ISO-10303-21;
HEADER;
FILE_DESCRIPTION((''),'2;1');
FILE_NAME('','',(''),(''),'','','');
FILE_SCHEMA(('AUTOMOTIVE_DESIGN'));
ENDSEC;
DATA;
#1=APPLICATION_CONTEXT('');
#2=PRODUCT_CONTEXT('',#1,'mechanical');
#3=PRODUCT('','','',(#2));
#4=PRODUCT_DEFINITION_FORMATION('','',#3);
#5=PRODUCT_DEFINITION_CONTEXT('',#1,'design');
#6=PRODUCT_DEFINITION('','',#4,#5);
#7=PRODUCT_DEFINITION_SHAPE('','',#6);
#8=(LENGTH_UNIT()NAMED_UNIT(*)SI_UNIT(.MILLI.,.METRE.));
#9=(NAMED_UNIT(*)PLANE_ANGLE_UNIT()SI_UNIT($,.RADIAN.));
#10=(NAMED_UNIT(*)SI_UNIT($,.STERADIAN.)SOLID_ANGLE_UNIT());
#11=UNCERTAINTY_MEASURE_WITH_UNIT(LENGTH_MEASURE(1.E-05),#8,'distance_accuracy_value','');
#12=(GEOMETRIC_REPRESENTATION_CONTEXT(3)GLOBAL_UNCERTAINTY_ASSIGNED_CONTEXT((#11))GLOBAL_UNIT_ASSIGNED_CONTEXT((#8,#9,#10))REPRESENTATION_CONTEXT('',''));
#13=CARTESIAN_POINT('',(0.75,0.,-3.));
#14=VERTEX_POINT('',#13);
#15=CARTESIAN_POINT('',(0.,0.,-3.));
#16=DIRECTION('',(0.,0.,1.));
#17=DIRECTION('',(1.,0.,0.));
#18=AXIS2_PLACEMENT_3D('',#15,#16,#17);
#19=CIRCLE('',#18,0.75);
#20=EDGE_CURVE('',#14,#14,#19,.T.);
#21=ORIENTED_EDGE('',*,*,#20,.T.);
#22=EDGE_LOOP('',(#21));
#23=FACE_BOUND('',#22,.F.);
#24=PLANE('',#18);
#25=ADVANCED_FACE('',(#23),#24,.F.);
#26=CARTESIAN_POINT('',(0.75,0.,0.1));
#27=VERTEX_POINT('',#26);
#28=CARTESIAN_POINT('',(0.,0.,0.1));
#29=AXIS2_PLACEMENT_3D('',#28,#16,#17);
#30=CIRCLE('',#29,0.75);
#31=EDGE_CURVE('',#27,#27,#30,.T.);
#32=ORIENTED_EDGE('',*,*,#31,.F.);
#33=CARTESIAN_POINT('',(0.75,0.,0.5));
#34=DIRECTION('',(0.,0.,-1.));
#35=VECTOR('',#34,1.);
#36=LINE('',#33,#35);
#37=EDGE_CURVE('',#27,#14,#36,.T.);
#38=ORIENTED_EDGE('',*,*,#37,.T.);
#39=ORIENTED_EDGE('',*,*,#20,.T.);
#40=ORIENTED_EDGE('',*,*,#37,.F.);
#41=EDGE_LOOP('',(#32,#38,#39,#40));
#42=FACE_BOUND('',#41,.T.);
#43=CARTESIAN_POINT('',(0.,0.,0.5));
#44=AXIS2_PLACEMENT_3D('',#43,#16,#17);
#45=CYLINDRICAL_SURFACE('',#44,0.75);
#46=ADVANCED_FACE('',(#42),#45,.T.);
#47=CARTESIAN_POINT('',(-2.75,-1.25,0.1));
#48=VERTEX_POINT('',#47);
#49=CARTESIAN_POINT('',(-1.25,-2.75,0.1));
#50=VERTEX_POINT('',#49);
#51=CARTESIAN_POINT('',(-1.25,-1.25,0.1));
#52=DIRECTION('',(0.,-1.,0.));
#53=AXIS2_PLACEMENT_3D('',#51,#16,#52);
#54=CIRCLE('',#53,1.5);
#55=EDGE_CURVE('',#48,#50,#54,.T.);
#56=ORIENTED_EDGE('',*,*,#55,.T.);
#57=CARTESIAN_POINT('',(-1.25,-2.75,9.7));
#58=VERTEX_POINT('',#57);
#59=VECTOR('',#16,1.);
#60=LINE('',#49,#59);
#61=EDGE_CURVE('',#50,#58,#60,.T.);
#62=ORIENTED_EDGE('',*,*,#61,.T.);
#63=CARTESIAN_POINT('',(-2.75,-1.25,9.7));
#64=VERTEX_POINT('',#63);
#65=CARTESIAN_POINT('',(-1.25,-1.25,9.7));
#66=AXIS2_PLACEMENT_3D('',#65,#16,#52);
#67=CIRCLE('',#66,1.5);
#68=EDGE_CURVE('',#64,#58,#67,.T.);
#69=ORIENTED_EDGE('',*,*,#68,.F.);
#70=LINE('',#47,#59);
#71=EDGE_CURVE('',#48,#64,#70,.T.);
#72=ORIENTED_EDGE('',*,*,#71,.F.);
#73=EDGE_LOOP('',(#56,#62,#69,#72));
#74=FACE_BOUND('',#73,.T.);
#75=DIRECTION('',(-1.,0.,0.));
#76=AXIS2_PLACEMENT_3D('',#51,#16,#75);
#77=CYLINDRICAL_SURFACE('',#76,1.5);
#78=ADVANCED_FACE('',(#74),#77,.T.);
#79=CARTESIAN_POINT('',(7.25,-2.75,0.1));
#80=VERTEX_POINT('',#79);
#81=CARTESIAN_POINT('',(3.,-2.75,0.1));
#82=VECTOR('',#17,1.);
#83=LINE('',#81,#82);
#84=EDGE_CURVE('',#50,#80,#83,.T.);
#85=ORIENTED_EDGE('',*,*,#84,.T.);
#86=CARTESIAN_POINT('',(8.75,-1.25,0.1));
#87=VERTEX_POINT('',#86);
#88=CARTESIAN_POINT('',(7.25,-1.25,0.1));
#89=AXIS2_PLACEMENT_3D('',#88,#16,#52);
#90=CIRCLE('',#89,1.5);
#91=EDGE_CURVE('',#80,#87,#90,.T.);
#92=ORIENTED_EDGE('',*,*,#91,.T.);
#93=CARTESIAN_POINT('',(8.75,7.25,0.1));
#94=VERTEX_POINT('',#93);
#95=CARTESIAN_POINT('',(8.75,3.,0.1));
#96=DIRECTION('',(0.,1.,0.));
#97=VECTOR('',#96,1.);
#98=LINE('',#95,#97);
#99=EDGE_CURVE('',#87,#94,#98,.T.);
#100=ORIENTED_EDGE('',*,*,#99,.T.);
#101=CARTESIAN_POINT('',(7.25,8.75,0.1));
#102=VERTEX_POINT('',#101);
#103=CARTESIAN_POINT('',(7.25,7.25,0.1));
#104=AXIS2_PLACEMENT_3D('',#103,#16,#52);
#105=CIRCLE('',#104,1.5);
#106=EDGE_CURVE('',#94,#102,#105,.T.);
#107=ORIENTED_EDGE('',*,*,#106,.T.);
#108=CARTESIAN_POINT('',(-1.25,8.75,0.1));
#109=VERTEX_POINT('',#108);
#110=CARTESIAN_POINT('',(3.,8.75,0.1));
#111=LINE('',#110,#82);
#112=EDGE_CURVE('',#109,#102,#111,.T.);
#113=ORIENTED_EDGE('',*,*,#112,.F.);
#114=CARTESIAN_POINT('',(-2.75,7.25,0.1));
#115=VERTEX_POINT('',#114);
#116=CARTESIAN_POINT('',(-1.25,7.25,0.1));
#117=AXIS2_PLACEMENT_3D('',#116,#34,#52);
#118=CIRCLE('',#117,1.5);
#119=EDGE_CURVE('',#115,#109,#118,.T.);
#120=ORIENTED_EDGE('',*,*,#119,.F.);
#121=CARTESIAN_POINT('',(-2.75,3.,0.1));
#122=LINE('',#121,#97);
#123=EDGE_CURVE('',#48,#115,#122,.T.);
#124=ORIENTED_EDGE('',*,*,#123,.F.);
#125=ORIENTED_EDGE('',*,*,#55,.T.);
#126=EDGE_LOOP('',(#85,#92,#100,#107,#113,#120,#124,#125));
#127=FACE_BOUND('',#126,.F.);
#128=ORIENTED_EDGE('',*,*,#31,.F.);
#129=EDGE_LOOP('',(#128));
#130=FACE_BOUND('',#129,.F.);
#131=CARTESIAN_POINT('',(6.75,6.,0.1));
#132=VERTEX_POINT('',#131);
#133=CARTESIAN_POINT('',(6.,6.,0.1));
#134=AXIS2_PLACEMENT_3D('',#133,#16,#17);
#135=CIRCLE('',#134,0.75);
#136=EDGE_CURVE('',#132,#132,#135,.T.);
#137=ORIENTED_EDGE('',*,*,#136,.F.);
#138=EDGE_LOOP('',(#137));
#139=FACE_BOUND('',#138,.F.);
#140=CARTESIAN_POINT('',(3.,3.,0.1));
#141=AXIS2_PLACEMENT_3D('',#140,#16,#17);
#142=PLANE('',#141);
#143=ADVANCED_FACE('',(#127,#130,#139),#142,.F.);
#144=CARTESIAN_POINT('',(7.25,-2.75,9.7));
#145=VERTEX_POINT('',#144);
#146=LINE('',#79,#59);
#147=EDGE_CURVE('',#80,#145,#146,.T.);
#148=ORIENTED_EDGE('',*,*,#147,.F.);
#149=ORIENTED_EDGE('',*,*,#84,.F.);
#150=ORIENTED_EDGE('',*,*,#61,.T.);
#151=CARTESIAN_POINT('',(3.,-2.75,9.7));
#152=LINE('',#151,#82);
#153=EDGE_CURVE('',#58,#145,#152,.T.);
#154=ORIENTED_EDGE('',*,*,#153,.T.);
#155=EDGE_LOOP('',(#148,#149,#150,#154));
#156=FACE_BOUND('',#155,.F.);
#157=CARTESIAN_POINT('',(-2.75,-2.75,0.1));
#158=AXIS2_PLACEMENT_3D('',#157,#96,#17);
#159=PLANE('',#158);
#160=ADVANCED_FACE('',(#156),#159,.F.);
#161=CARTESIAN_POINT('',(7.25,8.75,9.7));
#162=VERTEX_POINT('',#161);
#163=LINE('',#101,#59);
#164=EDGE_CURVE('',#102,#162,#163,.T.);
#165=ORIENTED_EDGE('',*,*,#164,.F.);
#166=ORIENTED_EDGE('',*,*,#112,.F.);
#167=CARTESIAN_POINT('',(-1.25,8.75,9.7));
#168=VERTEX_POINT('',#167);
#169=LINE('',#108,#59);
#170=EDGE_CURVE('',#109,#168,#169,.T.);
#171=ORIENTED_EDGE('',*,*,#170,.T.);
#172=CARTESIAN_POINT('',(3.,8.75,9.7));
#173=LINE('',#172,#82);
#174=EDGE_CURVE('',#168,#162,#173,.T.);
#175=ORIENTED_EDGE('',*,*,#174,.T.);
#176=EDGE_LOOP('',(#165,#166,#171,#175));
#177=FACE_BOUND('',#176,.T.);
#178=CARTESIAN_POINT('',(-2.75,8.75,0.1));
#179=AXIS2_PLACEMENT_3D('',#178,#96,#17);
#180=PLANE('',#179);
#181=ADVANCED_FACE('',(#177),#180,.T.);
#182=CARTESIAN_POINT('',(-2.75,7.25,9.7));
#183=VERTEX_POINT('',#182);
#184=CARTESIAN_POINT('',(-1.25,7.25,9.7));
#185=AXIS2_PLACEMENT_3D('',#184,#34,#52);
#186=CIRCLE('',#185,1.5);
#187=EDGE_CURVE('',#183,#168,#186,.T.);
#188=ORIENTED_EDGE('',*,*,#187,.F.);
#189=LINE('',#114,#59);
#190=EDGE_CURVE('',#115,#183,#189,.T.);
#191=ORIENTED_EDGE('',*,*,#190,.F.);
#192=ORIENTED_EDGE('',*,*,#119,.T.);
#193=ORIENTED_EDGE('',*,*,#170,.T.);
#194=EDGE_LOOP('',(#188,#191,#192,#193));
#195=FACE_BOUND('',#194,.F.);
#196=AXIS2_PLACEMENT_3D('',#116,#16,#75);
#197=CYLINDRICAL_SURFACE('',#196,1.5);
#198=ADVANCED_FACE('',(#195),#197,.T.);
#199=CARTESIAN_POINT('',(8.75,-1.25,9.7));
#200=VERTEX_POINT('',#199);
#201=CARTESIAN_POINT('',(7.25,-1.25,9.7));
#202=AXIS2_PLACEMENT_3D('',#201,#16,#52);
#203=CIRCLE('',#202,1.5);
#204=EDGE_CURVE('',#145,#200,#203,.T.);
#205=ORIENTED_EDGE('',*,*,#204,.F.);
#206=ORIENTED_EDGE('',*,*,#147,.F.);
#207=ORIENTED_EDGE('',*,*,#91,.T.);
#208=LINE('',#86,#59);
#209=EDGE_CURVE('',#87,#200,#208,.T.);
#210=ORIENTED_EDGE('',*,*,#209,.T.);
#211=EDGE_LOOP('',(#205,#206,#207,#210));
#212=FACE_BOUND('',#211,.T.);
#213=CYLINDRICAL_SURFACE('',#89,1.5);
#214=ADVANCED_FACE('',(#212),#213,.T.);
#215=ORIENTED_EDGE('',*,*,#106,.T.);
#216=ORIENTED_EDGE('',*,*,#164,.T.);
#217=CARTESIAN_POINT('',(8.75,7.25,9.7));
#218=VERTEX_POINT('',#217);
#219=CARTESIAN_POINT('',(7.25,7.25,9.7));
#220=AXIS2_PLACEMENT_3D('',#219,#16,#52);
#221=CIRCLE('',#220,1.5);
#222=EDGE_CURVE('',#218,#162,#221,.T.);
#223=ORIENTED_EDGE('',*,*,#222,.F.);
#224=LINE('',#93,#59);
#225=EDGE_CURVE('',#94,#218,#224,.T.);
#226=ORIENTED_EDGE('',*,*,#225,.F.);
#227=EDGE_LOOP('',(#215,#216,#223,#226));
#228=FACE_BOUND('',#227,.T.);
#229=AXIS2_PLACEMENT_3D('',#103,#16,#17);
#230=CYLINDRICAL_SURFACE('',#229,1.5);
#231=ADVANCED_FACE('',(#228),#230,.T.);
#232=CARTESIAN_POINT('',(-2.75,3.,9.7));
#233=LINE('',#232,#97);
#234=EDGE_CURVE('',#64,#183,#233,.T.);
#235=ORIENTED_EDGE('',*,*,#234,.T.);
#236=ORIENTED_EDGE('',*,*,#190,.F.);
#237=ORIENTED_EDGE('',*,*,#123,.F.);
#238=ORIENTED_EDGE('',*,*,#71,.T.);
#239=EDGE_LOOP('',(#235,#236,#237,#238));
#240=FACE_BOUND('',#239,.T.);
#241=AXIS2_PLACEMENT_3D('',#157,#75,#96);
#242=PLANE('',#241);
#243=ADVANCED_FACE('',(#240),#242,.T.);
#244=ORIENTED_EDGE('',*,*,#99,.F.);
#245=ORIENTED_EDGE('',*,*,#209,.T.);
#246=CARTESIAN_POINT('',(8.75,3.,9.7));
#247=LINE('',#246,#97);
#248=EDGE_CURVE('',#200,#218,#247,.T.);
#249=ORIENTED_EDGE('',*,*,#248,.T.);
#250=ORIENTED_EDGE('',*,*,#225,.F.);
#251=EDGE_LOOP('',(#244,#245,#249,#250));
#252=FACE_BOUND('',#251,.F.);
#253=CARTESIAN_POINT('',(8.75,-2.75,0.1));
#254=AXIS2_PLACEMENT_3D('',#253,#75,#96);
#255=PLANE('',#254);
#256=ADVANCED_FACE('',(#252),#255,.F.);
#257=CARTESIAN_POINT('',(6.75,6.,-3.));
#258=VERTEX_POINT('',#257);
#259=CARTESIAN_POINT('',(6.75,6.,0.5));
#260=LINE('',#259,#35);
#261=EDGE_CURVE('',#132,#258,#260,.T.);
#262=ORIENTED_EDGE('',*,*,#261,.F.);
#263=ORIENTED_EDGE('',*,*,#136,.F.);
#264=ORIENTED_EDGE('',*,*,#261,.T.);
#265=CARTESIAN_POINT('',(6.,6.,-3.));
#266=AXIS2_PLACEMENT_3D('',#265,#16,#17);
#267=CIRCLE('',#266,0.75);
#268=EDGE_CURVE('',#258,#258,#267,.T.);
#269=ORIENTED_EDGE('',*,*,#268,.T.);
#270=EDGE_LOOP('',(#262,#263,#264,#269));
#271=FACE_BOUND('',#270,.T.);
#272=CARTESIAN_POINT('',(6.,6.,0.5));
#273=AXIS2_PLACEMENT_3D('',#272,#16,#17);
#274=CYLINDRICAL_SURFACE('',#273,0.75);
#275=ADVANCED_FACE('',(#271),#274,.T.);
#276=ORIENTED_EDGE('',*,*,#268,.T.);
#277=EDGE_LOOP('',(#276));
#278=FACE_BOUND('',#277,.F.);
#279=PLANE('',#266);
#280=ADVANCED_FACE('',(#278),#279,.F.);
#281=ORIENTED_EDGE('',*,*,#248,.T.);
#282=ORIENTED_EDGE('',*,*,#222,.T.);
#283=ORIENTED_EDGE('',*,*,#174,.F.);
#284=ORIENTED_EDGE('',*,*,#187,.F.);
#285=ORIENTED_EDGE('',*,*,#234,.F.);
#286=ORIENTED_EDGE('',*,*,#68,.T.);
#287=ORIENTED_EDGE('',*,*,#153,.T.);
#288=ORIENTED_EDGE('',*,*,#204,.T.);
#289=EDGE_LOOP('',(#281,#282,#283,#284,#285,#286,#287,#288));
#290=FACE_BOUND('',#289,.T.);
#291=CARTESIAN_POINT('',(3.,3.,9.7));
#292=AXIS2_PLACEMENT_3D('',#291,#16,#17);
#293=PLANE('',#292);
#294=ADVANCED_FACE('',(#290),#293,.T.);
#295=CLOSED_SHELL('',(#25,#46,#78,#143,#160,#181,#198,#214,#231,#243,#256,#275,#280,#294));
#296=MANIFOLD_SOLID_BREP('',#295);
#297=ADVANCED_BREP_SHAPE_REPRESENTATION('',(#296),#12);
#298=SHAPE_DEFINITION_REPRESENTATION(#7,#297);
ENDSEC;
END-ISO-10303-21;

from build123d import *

# Parameters (mm, degrees)
SKETCH_W     = 11.5
SKETCH_H     = 11.5
PAD_DEPTH    = 9.6
FILLET_R     = 1.5
SKETCH001_R  = 0.75
PAD001_DEPTH = 3.5


with BuildPart() as fillet_body:
    # Sketch → Pad (new body)
    with BuildSketch(Plane.XY.offset(0.1)):
        with Locations((3, 3)):
            Rectangle(SKETCH_W, SKETCH_H)
    extrude(amount=PAD_DEPTH)

    # Fillet
    fillet_edges = [fillet_body.edges().sort_by_distance(p)[0] for p in [
        (8.75, -2.75, 4.9),
        (8.75, 8.75, 4.9),
        (-2.75, -2.75, 4.9),
        (-2.75, 8.75, 4.9),
    ]]
    fillet(fillet_edges, radius=FILLET_R)


with BuildPart() as pad001_mp_cp:
    # Sketch001 → Pad001 (new body)
    with BuildSketch(Plane.XY.offset(0.5)):
        Circle(SKETCH001_R)
        with Locations((6, 6)):
            Circle(SKETCH001_R)
    extrude(amount=-PAD001_DEPTH)

    # Pad001_mp_cp: union Fillet body
    add(fillet_body.part)


solid = pad001_mp_cp.part
